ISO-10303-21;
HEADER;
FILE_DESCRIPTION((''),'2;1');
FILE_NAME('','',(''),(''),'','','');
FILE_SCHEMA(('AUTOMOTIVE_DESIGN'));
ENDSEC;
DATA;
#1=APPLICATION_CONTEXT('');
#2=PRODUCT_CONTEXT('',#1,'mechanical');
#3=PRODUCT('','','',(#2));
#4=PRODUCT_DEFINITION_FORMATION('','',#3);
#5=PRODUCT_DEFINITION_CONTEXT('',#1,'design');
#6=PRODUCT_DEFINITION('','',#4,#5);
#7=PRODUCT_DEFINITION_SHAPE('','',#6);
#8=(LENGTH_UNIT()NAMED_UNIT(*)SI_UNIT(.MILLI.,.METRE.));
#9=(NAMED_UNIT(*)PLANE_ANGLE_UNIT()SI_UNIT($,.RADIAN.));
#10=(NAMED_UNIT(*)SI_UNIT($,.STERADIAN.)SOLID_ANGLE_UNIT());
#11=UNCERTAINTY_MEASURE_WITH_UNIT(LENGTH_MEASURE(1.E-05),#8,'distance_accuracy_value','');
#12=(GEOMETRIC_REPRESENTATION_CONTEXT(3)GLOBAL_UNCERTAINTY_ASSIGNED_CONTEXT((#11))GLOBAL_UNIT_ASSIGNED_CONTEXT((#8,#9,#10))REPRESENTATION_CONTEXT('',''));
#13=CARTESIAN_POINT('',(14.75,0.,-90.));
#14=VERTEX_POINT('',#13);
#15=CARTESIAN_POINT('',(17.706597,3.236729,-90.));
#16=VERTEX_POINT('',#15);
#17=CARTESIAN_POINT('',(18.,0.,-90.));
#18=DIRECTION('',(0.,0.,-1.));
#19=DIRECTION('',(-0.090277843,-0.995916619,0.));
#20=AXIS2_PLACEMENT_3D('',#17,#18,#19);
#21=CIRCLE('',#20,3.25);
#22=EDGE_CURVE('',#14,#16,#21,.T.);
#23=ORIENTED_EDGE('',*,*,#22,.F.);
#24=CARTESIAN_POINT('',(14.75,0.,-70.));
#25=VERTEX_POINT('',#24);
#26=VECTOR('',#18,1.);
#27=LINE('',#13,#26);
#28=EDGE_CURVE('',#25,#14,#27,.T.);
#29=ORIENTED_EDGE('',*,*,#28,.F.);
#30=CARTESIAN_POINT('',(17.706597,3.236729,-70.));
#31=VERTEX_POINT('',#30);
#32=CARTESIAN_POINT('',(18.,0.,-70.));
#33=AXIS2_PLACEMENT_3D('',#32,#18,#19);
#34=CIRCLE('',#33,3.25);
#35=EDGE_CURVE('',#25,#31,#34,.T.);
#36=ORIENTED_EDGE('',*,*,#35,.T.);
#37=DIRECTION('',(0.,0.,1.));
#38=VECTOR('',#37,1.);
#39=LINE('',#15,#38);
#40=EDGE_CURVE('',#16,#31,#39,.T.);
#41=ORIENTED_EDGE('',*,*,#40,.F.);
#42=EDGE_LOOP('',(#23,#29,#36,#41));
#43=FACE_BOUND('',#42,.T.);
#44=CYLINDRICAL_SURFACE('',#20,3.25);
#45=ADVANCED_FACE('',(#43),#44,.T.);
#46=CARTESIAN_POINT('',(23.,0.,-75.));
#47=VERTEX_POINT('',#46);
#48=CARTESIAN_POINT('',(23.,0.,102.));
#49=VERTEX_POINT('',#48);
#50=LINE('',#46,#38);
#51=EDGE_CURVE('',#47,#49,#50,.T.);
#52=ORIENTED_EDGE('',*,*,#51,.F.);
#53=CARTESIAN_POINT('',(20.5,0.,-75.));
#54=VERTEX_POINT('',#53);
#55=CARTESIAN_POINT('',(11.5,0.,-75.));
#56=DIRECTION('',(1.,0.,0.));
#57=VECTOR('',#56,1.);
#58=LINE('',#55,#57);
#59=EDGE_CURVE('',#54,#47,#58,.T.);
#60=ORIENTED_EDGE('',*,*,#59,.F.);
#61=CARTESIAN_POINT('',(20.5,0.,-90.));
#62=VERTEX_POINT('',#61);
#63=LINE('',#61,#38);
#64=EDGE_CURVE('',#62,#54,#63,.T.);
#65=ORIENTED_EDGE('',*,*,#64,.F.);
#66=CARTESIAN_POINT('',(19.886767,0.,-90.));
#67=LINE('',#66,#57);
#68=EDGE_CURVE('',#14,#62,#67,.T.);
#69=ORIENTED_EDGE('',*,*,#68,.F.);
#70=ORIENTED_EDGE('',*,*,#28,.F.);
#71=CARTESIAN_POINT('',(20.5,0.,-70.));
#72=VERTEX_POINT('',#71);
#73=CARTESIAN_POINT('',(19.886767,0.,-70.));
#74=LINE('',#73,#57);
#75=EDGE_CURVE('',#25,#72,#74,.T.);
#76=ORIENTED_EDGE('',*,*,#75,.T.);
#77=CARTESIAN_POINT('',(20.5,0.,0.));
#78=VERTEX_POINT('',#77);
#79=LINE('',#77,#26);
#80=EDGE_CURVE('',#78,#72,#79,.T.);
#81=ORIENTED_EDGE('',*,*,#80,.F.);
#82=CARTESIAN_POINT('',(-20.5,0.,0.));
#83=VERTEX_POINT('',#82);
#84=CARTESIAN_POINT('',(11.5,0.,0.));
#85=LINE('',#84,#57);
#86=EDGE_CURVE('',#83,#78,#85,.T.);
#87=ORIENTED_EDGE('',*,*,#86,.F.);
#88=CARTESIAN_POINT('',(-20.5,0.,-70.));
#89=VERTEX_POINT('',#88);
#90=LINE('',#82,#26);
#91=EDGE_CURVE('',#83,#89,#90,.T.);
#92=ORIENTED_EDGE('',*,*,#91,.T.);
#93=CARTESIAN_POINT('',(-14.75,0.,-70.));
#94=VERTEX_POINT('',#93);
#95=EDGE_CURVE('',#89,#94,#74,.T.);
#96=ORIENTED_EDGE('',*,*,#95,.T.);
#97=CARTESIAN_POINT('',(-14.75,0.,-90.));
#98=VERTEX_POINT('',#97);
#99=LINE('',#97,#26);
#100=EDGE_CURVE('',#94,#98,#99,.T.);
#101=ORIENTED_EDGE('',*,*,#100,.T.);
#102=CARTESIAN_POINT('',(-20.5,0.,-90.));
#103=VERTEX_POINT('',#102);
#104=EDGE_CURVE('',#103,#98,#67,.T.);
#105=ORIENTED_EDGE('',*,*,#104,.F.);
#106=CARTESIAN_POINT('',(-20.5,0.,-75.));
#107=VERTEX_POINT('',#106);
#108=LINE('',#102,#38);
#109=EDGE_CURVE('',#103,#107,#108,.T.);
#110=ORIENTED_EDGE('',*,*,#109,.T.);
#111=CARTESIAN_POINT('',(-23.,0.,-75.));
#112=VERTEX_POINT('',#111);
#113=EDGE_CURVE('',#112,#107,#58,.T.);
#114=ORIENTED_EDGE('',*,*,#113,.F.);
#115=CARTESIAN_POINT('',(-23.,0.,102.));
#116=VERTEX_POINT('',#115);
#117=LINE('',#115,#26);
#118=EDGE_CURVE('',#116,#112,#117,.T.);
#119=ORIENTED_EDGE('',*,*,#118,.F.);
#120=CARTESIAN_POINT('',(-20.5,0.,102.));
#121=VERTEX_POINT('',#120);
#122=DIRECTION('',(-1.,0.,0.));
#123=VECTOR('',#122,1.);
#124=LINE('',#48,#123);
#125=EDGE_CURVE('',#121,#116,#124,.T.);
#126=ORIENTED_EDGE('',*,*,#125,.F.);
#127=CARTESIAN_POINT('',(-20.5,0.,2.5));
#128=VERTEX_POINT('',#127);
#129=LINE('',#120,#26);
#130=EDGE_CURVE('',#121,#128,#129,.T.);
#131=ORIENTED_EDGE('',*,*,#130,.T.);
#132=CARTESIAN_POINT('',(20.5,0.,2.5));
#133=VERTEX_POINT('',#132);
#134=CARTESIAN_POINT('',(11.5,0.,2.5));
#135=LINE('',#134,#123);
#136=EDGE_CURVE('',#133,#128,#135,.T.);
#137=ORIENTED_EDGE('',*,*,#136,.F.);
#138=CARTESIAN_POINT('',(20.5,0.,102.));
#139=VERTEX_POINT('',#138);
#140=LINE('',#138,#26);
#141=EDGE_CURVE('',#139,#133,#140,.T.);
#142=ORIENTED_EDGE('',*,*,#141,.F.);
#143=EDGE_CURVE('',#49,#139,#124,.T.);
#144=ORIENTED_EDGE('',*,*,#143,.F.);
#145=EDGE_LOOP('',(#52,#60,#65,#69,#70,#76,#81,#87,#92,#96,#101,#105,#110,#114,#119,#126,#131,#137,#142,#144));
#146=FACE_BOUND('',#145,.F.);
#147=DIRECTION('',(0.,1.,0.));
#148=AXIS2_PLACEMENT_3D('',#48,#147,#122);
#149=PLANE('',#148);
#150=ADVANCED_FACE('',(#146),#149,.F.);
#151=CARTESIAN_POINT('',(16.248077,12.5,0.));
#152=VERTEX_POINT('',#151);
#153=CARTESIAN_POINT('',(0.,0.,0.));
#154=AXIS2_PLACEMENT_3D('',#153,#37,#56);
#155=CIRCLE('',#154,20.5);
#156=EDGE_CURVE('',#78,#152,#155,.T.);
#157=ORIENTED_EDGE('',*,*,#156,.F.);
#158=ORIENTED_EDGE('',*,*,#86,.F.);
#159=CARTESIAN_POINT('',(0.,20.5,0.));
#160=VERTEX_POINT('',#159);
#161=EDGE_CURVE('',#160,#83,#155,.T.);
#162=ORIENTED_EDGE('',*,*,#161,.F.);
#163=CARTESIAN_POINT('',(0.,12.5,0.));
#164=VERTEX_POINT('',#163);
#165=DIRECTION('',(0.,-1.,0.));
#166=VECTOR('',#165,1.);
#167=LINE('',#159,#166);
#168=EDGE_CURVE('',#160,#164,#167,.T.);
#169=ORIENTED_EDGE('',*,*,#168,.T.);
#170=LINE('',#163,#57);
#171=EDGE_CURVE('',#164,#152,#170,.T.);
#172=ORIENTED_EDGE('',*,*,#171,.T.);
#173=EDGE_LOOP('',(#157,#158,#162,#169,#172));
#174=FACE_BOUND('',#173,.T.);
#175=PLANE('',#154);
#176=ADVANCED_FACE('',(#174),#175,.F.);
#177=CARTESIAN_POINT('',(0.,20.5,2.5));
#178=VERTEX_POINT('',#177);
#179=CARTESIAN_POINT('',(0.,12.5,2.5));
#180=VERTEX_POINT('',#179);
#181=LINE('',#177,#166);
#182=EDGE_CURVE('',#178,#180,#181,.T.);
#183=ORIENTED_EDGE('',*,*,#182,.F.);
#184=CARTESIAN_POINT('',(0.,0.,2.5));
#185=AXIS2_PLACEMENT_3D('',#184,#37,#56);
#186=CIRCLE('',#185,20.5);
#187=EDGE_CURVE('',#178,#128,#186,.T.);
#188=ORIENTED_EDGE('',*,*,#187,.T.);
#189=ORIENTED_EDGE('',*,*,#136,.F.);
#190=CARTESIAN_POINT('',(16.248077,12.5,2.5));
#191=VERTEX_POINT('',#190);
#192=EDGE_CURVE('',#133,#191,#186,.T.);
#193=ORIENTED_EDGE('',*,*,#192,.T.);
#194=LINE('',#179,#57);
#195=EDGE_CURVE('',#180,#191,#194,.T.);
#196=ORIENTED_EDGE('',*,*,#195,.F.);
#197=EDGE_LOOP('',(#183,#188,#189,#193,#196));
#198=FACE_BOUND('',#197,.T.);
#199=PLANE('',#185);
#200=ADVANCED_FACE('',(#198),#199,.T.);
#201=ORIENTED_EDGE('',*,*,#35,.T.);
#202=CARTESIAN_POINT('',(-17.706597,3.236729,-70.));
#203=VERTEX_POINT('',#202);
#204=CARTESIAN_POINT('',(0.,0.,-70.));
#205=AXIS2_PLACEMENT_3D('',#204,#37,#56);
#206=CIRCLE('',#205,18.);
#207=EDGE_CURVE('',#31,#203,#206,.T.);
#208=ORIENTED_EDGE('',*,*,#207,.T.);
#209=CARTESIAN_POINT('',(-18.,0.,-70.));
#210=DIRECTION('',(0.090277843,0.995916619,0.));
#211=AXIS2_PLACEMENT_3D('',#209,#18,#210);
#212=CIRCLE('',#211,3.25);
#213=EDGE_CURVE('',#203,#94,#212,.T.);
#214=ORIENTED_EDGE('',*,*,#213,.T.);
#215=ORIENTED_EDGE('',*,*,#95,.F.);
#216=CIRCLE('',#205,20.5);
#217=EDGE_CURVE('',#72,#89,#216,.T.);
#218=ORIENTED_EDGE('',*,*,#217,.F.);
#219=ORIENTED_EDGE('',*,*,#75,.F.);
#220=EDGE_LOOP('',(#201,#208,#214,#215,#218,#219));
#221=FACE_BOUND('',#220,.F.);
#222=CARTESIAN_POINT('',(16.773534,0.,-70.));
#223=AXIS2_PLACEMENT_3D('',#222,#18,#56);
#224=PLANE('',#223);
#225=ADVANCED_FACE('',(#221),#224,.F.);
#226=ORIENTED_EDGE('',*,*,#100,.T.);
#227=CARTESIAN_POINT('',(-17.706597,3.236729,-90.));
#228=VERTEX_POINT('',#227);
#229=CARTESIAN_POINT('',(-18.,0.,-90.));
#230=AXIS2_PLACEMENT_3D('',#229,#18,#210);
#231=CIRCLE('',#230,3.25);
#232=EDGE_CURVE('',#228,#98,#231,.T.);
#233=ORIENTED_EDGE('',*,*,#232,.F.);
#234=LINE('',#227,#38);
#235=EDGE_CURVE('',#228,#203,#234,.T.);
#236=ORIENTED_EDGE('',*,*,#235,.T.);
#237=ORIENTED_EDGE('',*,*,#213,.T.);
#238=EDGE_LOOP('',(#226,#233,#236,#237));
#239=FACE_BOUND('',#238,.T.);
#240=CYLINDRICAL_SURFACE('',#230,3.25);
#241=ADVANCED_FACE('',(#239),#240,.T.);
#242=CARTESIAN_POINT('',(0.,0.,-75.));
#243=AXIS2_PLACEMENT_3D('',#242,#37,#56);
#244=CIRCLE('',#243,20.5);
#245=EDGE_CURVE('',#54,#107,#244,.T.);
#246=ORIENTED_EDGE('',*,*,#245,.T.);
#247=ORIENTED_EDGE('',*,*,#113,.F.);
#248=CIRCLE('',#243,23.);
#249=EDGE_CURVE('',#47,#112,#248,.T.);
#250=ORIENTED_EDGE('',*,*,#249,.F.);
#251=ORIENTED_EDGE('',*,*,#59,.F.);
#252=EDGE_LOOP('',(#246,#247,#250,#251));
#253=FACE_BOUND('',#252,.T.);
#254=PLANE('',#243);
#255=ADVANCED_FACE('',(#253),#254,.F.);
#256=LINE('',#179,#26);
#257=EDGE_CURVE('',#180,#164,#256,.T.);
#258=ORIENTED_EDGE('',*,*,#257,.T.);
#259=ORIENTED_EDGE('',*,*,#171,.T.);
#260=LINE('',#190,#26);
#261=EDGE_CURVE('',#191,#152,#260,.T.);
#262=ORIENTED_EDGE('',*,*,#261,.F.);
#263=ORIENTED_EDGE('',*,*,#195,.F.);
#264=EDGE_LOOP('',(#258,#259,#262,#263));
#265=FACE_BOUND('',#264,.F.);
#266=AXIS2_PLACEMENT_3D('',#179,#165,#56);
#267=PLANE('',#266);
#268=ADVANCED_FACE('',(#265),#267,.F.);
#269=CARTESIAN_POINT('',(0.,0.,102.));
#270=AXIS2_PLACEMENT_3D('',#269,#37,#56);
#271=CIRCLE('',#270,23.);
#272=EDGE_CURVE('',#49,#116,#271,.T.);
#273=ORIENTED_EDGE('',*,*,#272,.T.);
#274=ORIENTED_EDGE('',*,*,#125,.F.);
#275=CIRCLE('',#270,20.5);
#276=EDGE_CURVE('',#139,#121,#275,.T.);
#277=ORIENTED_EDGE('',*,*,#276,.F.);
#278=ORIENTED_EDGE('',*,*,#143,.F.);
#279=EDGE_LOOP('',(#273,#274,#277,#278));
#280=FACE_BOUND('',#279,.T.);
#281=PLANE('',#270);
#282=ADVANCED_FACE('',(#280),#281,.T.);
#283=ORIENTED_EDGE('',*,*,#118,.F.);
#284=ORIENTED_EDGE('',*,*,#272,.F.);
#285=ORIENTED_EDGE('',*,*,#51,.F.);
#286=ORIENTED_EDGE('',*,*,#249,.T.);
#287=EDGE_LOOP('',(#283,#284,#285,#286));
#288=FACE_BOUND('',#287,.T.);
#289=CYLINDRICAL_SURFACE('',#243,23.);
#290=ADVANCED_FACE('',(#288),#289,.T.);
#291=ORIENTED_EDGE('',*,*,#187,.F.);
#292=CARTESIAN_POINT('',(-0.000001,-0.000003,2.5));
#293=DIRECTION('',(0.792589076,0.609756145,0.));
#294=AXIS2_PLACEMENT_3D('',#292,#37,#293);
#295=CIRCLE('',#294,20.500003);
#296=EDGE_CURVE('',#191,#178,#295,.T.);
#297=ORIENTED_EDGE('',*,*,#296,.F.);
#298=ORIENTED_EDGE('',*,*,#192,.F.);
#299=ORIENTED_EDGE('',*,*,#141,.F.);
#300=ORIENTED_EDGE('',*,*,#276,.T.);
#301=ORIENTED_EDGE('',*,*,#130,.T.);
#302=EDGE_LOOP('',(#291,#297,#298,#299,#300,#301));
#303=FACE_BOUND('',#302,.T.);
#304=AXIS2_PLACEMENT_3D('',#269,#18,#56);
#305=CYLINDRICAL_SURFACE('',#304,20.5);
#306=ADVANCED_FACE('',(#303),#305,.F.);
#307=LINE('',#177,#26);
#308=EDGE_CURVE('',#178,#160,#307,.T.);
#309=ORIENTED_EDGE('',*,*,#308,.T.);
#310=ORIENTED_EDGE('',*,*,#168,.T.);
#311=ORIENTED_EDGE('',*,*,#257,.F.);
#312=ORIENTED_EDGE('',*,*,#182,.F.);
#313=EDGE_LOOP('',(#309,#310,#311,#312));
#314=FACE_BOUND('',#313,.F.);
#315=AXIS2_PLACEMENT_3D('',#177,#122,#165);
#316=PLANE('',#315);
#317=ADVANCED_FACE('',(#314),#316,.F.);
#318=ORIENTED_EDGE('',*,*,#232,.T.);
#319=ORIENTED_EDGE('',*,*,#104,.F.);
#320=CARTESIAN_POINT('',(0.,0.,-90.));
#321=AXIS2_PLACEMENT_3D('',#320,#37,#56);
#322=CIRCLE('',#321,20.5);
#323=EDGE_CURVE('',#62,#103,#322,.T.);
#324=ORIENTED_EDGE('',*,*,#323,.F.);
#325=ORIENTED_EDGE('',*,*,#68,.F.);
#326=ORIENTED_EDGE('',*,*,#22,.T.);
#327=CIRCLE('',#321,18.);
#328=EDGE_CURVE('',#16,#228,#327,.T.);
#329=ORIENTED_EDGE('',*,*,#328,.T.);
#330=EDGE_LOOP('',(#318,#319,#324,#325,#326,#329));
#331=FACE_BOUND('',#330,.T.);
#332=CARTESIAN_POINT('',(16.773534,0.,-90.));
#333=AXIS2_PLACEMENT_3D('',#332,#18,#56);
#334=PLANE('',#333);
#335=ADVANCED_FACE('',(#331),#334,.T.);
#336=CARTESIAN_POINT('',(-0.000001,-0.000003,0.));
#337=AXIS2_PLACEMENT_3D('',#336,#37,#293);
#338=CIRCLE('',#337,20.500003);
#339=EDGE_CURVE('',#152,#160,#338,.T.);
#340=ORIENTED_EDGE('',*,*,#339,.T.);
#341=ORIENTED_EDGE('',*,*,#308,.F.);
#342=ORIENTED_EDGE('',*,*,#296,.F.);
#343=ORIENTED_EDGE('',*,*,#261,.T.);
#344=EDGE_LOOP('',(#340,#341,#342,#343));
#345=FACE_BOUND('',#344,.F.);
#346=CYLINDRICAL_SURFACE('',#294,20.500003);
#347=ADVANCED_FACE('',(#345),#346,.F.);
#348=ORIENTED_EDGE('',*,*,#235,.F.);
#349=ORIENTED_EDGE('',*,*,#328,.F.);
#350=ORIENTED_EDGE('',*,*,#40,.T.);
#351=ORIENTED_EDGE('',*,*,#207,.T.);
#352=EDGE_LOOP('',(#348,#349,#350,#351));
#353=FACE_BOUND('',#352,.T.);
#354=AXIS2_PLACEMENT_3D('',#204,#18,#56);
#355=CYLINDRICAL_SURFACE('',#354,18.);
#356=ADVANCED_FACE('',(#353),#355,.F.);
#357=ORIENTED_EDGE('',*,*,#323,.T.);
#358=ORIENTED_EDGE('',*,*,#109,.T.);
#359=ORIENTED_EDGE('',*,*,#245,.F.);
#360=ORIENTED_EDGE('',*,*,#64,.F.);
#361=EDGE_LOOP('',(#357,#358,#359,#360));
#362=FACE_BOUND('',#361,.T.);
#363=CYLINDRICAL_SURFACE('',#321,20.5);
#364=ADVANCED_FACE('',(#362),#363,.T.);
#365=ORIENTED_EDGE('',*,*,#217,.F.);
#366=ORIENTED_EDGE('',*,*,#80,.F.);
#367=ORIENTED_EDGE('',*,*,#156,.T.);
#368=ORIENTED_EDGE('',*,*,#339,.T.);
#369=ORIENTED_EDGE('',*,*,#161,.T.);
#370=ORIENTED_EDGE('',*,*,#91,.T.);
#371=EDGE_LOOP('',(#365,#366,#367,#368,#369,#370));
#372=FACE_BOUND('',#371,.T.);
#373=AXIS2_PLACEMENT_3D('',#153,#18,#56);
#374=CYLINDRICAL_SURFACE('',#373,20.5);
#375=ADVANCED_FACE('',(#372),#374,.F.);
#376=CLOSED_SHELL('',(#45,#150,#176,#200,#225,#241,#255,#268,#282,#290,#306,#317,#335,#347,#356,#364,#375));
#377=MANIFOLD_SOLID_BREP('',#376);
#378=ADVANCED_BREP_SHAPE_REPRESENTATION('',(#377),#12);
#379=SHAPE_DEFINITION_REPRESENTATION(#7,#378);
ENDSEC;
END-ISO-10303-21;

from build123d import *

# Parameters (mm, degrees)
F3_DEPTH = 2.5
F5_DEPTH = 20
F7_DEPTH = 192.001


with BuildPart() as f1:
    # F0 (on Front) → F1 (revolve)
    with BuildSketch(Plane.XZ):
        Polygon((20.5, 2.5), (0, 2.5), (0, 0), (20.5, 0), (20.5, -70), (18, -70), (18, -90), (20.5, -90), (20.5, -75), (23, -75), (23, 0), (23, 102), (20.5, 102), align=None)
    revolve(axis=Axis((0, 0, 1.25), (0, 0, 1)))

    # F2 (on face) → F3 (cut, through all)
    with BuildSketch(Plane.XY.offset(2.5)):
        with BuildLine():
            Line((0, 12.5), (16.248077, 12.5))
            ThreePointArc((16.248077, 12.5), (9.055385, 18.391574), (0, 20.5))
            Line((0, 20.5), (0, 12.5))
        make_face()
    extrude(amount=-F3_DEPTH, mode=Mode.SUBTRACT)

    # F4 (on face) → F5 (join, through all)
    with BuildSketch(Plane(origin=(0, 0, -90), x_dir=(1, 0, 0), z_dir=(0, 0, -1))):
        with BuildLine():
            ThreePointArc((-17.706597, 3.236729), (-18, 0), (-17.706597, -3.236729))
            ThreePointArc((-17.706597, -3.236729), (-14.75, 0), (-17.706597, 3.236729))
        make_face()
        with BuildLine():
            ThreePointArc((17.706597, -3.236729), (18, 0), (17.706597, 3.236729))
            ThreePointArc((17.706597, 3.236729), (14.75, 0), (17.706597, -3.236729))
        make_face()
    extrude(amount=-F5_DEPTH)

    # F6 (on face) → F7 (cut, through all)
    with BuildSketch(Plane.XY.offset(102)):
        with BuildLine():
            Line((23, 0), (-23, 0))
            ThreePointArc((-23, 0), (0, -23), (23, 0))
        make_face()
    extrude(amount=-F7_DEPTH, mode=Mode.SUBTRACT)


solid = f1.part
